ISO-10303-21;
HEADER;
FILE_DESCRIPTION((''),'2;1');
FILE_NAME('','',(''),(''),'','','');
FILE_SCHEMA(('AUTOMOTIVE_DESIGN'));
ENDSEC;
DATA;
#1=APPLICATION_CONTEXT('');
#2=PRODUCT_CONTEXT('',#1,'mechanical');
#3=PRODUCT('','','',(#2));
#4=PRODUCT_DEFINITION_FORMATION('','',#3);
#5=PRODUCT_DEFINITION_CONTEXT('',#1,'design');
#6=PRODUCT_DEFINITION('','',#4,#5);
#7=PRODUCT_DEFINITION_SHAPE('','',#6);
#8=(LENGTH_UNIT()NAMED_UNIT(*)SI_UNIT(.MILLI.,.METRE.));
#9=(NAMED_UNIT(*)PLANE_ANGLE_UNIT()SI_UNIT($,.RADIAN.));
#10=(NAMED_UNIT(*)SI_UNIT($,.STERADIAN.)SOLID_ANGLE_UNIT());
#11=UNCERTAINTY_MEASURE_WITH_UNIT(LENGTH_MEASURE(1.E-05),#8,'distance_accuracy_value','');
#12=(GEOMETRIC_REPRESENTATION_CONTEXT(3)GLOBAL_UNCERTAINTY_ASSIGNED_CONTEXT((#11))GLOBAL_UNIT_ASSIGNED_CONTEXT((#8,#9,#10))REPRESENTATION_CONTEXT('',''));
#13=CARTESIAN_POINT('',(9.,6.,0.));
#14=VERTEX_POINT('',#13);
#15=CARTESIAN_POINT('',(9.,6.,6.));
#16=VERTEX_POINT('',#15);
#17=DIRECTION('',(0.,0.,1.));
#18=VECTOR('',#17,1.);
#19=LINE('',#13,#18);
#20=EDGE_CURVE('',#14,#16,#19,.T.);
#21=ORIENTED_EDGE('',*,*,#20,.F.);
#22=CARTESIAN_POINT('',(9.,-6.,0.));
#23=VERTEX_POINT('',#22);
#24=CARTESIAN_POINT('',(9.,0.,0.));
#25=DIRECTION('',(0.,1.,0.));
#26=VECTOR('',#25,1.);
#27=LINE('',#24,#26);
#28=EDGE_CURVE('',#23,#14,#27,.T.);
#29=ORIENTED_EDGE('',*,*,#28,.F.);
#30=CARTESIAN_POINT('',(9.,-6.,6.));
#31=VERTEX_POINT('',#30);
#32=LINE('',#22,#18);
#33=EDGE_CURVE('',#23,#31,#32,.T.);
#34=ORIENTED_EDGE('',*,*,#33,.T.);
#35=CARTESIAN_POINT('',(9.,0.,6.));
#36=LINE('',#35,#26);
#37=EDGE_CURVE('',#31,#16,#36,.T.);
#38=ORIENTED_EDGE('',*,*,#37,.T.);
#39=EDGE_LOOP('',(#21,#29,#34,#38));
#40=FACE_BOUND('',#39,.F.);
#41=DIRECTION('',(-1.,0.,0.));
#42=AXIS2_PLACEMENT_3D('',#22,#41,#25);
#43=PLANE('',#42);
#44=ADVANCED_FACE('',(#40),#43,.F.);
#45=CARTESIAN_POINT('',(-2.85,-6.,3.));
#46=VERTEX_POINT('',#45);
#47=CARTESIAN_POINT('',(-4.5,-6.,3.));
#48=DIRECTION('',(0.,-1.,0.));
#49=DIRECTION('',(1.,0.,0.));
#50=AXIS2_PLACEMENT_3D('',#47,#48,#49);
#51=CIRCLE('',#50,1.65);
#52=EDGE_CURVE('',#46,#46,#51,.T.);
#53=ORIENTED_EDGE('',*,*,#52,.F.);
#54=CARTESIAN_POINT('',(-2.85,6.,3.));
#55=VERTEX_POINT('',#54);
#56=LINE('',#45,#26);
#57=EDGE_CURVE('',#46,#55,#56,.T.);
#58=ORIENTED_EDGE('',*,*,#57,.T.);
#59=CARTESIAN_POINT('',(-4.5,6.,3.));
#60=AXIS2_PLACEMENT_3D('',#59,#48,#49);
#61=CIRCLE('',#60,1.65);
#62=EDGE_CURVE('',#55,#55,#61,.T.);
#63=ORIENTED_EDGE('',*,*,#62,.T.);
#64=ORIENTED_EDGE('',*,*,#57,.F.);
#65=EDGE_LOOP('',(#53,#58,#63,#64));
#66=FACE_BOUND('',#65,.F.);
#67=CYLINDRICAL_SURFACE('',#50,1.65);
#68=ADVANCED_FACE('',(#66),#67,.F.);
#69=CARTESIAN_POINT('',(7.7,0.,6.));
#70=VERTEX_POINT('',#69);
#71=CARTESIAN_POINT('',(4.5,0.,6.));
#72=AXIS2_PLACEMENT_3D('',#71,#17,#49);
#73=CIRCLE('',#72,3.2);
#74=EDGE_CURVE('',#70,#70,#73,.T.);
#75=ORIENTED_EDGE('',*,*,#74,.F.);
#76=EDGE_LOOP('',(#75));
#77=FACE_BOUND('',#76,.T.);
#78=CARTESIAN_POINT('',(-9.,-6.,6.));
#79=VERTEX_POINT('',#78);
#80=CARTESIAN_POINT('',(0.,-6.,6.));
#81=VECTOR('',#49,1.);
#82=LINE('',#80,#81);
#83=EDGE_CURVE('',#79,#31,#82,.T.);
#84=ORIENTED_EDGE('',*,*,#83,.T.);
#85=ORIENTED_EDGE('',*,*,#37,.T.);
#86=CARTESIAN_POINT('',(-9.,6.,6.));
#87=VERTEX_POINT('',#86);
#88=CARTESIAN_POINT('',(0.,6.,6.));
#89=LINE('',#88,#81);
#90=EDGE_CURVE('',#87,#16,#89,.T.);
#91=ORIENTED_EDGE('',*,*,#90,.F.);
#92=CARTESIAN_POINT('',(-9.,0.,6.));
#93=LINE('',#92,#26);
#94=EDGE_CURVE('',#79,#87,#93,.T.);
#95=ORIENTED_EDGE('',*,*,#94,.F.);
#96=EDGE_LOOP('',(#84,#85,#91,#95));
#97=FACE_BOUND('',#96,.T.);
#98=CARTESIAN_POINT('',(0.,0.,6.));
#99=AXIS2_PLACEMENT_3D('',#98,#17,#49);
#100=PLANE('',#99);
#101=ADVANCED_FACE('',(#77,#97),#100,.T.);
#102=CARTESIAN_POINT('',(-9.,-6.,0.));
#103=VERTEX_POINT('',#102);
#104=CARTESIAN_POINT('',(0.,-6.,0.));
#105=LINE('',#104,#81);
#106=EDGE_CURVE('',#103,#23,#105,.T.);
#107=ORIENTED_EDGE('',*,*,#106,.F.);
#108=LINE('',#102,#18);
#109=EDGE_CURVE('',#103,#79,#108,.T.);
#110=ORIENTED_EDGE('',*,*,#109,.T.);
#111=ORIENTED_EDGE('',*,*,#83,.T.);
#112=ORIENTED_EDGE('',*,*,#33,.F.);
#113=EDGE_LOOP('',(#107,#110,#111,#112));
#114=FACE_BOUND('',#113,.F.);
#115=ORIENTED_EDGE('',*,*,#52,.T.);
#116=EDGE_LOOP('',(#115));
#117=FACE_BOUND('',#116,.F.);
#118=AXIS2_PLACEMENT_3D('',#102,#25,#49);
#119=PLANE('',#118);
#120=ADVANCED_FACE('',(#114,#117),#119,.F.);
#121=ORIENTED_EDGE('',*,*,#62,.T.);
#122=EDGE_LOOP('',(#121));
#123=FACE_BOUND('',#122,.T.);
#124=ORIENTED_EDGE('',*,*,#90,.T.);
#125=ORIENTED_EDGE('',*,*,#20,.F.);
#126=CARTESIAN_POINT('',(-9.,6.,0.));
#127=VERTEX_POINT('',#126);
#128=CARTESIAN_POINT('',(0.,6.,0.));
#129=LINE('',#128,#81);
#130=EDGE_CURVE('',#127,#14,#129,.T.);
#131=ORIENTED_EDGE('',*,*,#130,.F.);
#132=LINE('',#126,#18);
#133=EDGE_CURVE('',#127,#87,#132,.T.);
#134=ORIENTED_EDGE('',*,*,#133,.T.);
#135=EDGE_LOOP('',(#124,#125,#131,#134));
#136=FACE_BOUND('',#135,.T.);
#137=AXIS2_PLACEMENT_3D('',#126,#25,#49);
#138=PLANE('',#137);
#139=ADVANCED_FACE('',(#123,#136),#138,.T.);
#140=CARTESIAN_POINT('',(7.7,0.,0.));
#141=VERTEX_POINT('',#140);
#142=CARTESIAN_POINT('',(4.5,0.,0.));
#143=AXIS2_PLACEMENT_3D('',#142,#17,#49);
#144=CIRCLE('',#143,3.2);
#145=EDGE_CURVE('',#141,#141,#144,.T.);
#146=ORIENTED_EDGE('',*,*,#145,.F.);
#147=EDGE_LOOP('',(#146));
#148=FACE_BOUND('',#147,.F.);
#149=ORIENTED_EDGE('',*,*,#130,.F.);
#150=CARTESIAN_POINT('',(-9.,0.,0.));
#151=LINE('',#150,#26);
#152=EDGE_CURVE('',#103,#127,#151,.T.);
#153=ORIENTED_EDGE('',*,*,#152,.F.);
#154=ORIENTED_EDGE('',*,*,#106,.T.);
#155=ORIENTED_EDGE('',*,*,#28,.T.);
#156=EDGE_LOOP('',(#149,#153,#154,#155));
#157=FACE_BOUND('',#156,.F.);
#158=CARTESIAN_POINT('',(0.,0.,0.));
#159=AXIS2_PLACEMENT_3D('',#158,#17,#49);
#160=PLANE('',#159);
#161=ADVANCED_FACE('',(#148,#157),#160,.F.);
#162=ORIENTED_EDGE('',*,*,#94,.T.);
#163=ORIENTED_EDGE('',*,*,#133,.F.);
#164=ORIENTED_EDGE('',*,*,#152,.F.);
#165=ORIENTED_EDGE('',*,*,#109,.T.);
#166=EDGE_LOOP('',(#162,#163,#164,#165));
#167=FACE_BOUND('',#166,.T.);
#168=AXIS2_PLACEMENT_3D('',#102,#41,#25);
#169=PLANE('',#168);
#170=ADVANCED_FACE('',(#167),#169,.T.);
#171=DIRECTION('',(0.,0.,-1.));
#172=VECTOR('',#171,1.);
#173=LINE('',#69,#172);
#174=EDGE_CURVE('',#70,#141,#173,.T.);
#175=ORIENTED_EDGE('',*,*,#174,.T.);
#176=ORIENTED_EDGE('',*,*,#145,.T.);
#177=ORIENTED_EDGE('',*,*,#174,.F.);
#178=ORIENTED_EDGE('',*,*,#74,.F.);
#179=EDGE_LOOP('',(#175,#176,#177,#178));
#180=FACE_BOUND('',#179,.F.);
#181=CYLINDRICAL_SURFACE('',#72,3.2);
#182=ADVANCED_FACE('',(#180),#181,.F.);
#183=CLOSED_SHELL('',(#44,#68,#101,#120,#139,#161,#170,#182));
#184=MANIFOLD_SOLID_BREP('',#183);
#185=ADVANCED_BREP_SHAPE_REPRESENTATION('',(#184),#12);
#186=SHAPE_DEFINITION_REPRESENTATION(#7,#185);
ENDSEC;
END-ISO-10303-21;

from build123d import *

# Parameters (mm, degrees)
F0_W     = 18
F0_H     = 12
F1_DEPTH = 6
F2_R     = 1.65
F4_DEPTH = 25
F3_R     = 3.2
F5_DEPTH = 25


with BuildPart() as f1:
    # F0 (on Top) → F1 (new body)
    with BuildSketch(Plane.XY):
        Rectangle(F0_W, F0_H)
    extrude(amount=F1_DEPTH)

    # F2 (on face) → F4 (cut)
    with BuildSketch(Plane.XZ.offset(6)):
        with Locations((-4.5, 3)):
            Circle(F2_R)
    extrude(amount=-F4_DEPTH, mode=Mode.SUBTRACT)

    # F3 (on face) → F5 (cut)
    with BuildSketch(Plane.XY.offset(6)):
        with Locations((4.5, 0)):
            Circle(F3_R)
    extrude(amount=-F5_DEPTH, mode=Mode.SUBTRACT)


solid = f1.part
